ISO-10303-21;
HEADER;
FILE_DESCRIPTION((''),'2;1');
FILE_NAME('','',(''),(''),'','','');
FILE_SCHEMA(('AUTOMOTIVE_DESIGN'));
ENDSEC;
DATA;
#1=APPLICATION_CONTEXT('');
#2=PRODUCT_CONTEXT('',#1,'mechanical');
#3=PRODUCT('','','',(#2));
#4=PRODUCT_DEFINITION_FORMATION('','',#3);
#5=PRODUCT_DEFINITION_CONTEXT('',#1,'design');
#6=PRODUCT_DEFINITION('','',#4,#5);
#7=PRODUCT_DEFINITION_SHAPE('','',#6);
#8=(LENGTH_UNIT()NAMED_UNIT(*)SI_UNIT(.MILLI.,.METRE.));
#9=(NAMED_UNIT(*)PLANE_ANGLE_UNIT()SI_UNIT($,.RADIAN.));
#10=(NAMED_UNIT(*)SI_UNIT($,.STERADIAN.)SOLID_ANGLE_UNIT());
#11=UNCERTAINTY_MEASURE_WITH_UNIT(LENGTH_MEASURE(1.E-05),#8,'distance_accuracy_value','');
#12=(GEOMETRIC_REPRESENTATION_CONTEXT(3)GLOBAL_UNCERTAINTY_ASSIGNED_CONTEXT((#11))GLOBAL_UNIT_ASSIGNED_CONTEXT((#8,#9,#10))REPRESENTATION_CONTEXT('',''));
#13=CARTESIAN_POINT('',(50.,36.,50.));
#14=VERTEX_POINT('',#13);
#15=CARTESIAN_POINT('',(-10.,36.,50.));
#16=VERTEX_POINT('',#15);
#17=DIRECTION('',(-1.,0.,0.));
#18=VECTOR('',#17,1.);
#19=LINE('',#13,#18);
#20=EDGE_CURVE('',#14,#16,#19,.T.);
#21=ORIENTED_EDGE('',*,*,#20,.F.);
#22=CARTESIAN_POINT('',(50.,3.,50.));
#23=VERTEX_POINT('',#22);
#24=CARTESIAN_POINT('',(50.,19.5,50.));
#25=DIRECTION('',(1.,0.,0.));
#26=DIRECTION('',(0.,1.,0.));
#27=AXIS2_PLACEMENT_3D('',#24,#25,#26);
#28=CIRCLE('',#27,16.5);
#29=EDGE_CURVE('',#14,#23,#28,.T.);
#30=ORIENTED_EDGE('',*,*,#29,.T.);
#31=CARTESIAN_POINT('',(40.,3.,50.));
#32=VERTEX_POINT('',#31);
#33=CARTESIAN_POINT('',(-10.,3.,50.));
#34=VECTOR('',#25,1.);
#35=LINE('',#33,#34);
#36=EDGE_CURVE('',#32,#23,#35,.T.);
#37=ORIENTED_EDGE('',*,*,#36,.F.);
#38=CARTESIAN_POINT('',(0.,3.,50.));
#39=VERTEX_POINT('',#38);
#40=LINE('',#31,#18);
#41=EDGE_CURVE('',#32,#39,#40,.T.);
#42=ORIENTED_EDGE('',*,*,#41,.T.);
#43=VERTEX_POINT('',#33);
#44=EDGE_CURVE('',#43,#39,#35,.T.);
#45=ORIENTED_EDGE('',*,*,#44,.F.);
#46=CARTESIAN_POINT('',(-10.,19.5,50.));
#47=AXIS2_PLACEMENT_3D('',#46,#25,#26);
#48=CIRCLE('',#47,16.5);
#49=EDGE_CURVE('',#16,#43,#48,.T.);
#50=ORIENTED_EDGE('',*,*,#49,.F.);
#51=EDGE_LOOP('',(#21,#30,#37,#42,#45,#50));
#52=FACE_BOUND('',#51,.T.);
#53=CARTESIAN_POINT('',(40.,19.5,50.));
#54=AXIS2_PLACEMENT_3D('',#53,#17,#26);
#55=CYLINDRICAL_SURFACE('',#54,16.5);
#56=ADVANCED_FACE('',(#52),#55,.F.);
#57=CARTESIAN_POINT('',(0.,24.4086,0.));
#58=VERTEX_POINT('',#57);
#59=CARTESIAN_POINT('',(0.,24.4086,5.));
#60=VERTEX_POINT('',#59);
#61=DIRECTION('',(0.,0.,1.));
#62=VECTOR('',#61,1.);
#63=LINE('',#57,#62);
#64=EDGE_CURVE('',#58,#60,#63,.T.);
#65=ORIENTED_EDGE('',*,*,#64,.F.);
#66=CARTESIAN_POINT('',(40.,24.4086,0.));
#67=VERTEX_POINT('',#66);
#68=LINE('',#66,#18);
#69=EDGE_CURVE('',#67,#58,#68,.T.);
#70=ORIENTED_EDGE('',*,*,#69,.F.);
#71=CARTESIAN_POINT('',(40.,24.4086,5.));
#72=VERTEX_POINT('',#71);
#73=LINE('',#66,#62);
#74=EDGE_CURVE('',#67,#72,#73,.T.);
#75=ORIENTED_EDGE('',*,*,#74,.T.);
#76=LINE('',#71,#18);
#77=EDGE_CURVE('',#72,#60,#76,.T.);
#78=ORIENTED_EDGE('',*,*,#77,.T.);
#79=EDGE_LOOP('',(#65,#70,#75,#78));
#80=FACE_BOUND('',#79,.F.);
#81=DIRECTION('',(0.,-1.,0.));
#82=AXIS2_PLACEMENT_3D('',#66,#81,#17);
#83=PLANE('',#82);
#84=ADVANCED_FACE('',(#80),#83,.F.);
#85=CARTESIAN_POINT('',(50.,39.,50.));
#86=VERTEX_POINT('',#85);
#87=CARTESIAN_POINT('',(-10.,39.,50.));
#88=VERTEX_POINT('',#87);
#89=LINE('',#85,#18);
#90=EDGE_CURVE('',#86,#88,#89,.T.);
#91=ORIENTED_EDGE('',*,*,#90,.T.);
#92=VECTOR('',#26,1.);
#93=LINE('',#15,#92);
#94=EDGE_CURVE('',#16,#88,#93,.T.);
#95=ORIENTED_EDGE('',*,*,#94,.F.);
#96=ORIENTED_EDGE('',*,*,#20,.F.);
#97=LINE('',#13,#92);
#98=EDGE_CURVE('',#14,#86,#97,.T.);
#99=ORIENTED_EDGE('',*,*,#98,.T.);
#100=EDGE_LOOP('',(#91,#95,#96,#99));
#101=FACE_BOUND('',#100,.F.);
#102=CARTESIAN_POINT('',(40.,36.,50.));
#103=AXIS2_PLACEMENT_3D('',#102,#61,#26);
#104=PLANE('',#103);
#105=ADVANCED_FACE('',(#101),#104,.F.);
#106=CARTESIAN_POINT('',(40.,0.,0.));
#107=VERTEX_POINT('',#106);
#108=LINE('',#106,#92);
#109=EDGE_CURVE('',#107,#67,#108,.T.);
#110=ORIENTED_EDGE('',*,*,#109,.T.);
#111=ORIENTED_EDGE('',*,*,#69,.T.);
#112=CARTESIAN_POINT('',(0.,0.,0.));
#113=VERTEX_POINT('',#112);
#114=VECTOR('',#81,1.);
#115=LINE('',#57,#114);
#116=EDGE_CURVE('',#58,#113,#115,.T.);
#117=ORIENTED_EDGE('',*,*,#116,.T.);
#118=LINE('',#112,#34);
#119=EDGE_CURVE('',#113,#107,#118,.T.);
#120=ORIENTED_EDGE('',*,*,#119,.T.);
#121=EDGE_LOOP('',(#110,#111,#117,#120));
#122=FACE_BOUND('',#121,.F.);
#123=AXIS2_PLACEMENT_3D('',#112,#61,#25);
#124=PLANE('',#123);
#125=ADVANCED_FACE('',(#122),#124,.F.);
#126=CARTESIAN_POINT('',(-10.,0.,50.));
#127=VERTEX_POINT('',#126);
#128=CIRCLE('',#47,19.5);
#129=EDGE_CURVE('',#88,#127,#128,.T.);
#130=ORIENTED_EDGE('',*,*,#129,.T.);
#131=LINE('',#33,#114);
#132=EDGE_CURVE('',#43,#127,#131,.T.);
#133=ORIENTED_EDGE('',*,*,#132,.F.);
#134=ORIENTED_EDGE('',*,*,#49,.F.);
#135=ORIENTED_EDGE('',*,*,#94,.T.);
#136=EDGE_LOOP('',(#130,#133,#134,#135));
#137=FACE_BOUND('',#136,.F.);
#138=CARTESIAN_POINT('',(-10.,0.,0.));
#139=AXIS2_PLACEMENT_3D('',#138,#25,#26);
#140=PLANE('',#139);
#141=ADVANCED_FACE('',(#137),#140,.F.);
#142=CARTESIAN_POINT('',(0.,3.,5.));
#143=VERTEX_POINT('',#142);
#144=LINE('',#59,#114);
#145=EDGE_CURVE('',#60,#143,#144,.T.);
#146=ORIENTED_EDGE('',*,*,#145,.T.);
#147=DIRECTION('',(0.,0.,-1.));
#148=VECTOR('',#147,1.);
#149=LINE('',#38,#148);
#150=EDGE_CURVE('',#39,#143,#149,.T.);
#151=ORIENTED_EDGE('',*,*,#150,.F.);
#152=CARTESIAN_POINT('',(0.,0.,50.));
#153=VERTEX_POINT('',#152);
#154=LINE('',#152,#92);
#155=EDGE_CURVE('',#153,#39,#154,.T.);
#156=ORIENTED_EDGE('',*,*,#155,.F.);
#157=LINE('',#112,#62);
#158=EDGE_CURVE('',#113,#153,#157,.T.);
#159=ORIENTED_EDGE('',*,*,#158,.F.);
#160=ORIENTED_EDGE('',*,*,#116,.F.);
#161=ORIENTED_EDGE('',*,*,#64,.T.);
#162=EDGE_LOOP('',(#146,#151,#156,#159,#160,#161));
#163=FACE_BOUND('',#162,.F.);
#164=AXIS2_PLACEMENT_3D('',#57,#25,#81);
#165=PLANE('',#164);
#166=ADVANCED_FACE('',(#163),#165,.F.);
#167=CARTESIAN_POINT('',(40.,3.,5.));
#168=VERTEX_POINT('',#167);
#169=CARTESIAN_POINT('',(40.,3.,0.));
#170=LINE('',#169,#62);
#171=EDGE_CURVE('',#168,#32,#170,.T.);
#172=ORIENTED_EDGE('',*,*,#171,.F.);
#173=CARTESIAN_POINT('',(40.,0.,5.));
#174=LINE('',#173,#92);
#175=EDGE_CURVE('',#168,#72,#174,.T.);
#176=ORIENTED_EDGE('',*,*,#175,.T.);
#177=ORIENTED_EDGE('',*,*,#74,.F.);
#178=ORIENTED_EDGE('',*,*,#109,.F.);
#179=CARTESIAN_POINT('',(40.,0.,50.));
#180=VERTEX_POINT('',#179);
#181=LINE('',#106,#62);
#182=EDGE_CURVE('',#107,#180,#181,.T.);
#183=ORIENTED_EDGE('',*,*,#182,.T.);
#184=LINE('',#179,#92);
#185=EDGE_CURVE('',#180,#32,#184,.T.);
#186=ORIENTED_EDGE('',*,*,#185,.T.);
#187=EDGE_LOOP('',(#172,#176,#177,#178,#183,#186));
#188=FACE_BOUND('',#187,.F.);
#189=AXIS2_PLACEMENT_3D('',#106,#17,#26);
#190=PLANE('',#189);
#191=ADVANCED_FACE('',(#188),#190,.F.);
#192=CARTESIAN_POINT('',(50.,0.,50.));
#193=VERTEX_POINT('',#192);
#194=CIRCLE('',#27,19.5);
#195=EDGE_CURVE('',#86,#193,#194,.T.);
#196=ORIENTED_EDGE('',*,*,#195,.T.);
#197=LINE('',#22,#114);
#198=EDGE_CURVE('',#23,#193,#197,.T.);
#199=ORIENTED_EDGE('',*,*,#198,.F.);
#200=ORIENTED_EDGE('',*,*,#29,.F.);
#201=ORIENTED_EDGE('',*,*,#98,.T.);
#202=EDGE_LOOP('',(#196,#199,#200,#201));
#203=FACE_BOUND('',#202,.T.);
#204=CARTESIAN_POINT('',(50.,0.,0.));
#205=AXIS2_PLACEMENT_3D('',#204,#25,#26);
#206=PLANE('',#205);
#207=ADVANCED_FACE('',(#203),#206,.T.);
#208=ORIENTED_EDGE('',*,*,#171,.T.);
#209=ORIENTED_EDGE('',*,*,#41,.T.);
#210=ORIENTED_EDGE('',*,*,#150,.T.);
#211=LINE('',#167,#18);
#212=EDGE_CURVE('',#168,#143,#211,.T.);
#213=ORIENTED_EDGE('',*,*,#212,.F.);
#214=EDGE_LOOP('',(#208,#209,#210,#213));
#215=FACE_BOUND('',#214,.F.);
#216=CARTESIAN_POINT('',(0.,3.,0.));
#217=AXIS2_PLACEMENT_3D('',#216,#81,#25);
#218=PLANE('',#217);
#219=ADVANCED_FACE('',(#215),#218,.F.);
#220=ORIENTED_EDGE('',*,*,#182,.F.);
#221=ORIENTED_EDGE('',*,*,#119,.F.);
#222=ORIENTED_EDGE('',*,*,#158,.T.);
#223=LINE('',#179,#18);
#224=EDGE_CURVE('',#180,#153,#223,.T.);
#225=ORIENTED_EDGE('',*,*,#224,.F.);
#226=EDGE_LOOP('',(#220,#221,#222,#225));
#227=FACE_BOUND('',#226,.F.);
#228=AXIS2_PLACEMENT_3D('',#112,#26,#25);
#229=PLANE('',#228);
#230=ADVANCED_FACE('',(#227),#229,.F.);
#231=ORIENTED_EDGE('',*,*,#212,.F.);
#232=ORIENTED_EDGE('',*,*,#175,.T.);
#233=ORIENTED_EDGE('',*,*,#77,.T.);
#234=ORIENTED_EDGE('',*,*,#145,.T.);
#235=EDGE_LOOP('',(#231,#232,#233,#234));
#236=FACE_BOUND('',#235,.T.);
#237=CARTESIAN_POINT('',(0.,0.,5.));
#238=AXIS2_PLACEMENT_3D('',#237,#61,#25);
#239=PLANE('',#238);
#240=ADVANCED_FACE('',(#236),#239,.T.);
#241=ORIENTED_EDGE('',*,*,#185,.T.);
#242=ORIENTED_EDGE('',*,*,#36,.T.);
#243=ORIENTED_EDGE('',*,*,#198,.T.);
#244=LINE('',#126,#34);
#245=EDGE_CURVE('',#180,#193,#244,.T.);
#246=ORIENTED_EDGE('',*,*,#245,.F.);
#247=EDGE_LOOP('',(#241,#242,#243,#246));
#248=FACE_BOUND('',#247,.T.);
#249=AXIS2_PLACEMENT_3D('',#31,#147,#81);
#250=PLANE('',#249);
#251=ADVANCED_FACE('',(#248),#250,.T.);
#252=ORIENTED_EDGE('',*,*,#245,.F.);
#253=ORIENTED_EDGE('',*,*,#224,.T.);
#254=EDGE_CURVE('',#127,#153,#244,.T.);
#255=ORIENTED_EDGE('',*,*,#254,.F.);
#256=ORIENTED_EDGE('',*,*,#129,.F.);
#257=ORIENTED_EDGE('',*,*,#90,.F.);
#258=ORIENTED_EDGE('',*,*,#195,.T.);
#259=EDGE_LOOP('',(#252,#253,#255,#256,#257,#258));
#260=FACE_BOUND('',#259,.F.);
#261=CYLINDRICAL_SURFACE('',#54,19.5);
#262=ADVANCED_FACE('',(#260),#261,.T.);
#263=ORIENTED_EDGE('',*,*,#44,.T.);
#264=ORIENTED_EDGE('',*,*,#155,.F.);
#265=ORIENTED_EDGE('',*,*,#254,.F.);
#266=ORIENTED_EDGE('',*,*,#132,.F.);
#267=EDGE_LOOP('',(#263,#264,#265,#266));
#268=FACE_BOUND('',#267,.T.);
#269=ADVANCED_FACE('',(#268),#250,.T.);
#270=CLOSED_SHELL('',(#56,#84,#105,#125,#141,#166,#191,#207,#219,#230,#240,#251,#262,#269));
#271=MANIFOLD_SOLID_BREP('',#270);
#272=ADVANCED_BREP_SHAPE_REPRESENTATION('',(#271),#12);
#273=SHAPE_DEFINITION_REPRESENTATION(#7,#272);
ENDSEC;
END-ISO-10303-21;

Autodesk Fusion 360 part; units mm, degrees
sketch "Sketch2" plane through (0, 0, 0) normal (0, 0, 1) x (1, 0, 0)
  line L0 (0, 0) -> (40, 0)
  line L1 (40, 0) -> (40, 24.4086)
  line L2 (40, 24.4086) -> (0, 24.4086)
  line L3 (0, 24.4086) -> (0, 0)
extrude "Extrude1" add sketch "Sketch2" along normal blind 5
sketch "Sketch3" plane through (0, 0, 0) normal (0, -1, 0) x (1, 0, 0)
  line L0 (0, 0) -> (40, 0)
  line L1 (40, 0) -> (40, 5)
  line L2 (40, 5) -> (0, 5)
  line L3 (0, 5) -> (0, 0)
  line L4 (0, 0) -> (40, 0)
  line L5 (40, 0) -> (40, 50)
  line L6 (40, 50) -> (0, 50)
  line L7 (0, 50) -> (0, 0)
extrude "Extrude2" add sketch "Sketch3" against normal blind 3 contours L2 L5 L6 L7
sketch "Sketch4" plane through (40, 0, 0) normal (1, 0, 0) x (0, 1, 0)
  line L0 (0, 0) -> (24.4086, 0)
  line L1 (24.4086, 0) -> (24.4086, 5)
  line L2 (24.4086, 5) -> (3, 5)
  line L3 (3, 5) -> (3, 50)
  line L4 (3, 50) -> (0, 50)
  line L5 (0, 50) -> (0, 0)
  line L6 (19.5, 40) -> (19.5, 70) construction
  arc A0 (36, 50) -> (3, 50) centre (19.5, 50) ccw
  arc A1 (39, 50) -> (0, 50) centre (19.5, 50) ccw
  line L7 (36, 50) -> (39, 50)
  line L8 (36, 50) -> (39, 50)
  line L9 (0, 50) -> (3, 50)
  dimension "d7" = 16.5
  dimension "d8" = 3
extrude "Extrude3" add sketch "Sketch4" along normal blind 10 and the other way blind 50 contours L4 A0 A1 L7 L8 L9
equation "d7 = ( 33 / 2 ) * 1 mm"
